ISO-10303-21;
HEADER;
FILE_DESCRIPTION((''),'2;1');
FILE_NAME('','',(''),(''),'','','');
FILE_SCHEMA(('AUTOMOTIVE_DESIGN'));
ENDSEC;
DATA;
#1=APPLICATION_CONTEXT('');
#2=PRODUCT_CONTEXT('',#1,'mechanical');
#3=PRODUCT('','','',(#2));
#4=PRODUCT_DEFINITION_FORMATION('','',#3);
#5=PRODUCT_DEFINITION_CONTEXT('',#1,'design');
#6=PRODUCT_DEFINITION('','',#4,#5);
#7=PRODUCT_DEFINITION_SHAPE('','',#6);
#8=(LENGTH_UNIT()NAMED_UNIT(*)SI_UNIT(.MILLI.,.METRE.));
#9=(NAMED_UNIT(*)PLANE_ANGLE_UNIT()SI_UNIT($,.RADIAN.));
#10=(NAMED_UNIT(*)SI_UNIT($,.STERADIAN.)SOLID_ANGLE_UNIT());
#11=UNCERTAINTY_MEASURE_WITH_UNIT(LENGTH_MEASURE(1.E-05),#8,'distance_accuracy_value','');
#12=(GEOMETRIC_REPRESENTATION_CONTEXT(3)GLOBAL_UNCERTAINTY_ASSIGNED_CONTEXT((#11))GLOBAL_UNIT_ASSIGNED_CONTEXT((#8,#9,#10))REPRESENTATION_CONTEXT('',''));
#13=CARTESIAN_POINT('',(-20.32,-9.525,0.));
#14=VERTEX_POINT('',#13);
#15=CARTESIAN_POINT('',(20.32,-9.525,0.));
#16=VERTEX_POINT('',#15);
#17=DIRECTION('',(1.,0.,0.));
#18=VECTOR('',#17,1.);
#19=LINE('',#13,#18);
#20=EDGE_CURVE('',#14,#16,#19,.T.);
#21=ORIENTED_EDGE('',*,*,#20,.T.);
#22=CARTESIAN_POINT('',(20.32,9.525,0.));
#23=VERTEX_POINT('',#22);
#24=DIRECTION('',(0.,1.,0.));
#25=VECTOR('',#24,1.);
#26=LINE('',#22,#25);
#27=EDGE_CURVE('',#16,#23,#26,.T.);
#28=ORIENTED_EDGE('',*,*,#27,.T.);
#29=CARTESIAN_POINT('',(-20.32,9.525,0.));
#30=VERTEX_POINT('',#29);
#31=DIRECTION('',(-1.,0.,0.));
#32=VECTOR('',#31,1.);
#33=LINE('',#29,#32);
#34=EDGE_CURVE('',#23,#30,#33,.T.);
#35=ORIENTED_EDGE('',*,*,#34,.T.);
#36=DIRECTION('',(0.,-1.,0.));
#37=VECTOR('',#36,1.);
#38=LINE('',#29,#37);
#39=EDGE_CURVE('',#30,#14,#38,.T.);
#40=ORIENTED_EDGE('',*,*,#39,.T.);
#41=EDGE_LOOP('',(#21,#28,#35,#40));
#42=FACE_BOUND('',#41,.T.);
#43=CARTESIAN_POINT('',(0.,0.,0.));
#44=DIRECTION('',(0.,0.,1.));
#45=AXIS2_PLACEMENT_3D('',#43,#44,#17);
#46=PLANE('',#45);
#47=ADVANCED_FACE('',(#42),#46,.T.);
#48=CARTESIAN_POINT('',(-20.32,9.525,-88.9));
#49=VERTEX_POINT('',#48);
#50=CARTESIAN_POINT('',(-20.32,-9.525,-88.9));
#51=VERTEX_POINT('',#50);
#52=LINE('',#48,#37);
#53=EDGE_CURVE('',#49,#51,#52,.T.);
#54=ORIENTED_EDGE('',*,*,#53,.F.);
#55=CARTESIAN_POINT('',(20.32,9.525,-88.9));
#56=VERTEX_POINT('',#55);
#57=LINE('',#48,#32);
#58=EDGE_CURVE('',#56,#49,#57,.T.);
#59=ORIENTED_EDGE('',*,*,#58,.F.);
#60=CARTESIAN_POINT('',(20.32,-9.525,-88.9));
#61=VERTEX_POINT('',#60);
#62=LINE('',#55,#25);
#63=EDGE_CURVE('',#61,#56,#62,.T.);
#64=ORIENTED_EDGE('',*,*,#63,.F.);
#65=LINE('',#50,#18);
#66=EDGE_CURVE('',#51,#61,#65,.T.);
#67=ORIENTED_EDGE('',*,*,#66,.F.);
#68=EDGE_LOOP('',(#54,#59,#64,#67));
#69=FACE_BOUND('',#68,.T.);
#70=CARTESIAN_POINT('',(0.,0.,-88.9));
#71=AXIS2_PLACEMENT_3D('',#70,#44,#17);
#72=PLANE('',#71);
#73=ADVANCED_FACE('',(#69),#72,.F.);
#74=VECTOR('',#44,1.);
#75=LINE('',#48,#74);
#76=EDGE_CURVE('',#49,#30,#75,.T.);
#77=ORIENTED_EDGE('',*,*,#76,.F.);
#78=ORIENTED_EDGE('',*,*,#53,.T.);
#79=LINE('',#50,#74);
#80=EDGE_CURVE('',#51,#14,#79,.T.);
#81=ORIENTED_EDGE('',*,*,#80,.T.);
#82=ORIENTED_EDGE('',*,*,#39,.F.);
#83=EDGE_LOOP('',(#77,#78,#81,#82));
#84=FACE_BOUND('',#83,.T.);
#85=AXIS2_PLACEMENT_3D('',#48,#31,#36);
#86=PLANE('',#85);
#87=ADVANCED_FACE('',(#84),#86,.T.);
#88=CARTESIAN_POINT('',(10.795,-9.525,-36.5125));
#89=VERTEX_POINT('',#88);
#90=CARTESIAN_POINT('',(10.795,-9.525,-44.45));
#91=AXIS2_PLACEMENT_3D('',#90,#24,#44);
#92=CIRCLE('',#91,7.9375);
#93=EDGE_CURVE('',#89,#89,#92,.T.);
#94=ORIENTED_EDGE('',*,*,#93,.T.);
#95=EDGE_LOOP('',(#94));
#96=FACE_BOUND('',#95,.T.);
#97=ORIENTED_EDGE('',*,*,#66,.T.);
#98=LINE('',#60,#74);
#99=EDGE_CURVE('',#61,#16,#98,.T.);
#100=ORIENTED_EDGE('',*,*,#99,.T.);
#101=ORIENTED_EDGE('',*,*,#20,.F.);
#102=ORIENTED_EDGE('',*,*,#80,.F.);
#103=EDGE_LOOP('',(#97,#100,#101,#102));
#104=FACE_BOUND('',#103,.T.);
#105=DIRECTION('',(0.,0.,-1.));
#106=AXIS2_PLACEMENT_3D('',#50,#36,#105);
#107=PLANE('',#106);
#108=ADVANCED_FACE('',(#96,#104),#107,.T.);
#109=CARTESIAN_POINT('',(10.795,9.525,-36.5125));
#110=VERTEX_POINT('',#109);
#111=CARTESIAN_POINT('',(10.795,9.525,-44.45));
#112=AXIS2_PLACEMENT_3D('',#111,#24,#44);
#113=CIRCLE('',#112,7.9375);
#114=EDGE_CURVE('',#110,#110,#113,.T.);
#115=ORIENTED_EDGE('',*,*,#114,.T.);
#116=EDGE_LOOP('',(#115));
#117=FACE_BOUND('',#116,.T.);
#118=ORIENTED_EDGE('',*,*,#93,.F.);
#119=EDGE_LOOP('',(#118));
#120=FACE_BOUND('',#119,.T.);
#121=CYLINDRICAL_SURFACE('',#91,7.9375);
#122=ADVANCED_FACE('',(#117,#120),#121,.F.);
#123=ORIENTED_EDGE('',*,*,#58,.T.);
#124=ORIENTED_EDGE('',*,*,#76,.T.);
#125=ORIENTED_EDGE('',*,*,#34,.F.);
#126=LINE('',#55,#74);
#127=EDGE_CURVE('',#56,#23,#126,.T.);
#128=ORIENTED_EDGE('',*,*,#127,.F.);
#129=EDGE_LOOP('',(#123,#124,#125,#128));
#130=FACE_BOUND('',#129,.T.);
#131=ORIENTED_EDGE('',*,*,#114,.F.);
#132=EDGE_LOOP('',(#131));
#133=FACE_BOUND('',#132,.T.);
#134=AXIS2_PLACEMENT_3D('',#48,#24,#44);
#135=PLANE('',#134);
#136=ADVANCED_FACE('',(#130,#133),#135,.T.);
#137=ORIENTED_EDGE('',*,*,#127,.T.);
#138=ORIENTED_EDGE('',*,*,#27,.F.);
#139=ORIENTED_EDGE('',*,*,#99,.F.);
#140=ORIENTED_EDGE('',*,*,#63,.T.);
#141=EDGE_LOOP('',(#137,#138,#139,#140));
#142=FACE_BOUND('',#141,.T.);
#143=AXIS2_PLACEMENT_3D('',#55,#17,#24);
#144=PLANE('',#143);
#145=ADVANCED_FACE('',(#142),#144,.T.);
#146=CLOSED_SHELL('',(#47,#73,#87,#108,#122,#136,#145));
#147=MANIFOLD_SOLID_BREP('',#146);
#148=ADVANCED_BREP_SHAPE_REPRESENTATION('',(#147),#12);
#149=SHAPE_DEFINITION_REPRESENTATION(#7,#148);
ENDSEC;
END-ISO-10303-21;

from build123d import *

# Parameters (mm, degrees)
SKETCH1_W           = 40.64
SKETCH1_H           = 19.05
BOSS_EXTRUDE1_DEPTH = 88.9
SKETCH3_R           = 7.9375
CUT_EXTRUDE1_DEPTH  = 20.05


with BuildPart() as part:
    # Sketch1 → Boss-Extrude1 (new body)
    with BuildSketch(Plane.XY):
        Rectangle(SKETCH1_W, SKETCH1_H)
    extrude(amount=-BOSS_EXTRUDE1_DEPTH)

    # Sketch3 → Cut-Extrude1 (cut, through all)
    with BuildSketch(Plane(origin=(0, 9.525, 0), x_dir=(1, 0, 0), z_dir=(0, 1, 0))):
        with Locations((10.795, 44.45)):
            Circle(SKETCH3_R)
    extrude(amount=-CUT_EXTRUDE1_DEPTH, mode=Mode.SUBTRACT)


solid = part.part
